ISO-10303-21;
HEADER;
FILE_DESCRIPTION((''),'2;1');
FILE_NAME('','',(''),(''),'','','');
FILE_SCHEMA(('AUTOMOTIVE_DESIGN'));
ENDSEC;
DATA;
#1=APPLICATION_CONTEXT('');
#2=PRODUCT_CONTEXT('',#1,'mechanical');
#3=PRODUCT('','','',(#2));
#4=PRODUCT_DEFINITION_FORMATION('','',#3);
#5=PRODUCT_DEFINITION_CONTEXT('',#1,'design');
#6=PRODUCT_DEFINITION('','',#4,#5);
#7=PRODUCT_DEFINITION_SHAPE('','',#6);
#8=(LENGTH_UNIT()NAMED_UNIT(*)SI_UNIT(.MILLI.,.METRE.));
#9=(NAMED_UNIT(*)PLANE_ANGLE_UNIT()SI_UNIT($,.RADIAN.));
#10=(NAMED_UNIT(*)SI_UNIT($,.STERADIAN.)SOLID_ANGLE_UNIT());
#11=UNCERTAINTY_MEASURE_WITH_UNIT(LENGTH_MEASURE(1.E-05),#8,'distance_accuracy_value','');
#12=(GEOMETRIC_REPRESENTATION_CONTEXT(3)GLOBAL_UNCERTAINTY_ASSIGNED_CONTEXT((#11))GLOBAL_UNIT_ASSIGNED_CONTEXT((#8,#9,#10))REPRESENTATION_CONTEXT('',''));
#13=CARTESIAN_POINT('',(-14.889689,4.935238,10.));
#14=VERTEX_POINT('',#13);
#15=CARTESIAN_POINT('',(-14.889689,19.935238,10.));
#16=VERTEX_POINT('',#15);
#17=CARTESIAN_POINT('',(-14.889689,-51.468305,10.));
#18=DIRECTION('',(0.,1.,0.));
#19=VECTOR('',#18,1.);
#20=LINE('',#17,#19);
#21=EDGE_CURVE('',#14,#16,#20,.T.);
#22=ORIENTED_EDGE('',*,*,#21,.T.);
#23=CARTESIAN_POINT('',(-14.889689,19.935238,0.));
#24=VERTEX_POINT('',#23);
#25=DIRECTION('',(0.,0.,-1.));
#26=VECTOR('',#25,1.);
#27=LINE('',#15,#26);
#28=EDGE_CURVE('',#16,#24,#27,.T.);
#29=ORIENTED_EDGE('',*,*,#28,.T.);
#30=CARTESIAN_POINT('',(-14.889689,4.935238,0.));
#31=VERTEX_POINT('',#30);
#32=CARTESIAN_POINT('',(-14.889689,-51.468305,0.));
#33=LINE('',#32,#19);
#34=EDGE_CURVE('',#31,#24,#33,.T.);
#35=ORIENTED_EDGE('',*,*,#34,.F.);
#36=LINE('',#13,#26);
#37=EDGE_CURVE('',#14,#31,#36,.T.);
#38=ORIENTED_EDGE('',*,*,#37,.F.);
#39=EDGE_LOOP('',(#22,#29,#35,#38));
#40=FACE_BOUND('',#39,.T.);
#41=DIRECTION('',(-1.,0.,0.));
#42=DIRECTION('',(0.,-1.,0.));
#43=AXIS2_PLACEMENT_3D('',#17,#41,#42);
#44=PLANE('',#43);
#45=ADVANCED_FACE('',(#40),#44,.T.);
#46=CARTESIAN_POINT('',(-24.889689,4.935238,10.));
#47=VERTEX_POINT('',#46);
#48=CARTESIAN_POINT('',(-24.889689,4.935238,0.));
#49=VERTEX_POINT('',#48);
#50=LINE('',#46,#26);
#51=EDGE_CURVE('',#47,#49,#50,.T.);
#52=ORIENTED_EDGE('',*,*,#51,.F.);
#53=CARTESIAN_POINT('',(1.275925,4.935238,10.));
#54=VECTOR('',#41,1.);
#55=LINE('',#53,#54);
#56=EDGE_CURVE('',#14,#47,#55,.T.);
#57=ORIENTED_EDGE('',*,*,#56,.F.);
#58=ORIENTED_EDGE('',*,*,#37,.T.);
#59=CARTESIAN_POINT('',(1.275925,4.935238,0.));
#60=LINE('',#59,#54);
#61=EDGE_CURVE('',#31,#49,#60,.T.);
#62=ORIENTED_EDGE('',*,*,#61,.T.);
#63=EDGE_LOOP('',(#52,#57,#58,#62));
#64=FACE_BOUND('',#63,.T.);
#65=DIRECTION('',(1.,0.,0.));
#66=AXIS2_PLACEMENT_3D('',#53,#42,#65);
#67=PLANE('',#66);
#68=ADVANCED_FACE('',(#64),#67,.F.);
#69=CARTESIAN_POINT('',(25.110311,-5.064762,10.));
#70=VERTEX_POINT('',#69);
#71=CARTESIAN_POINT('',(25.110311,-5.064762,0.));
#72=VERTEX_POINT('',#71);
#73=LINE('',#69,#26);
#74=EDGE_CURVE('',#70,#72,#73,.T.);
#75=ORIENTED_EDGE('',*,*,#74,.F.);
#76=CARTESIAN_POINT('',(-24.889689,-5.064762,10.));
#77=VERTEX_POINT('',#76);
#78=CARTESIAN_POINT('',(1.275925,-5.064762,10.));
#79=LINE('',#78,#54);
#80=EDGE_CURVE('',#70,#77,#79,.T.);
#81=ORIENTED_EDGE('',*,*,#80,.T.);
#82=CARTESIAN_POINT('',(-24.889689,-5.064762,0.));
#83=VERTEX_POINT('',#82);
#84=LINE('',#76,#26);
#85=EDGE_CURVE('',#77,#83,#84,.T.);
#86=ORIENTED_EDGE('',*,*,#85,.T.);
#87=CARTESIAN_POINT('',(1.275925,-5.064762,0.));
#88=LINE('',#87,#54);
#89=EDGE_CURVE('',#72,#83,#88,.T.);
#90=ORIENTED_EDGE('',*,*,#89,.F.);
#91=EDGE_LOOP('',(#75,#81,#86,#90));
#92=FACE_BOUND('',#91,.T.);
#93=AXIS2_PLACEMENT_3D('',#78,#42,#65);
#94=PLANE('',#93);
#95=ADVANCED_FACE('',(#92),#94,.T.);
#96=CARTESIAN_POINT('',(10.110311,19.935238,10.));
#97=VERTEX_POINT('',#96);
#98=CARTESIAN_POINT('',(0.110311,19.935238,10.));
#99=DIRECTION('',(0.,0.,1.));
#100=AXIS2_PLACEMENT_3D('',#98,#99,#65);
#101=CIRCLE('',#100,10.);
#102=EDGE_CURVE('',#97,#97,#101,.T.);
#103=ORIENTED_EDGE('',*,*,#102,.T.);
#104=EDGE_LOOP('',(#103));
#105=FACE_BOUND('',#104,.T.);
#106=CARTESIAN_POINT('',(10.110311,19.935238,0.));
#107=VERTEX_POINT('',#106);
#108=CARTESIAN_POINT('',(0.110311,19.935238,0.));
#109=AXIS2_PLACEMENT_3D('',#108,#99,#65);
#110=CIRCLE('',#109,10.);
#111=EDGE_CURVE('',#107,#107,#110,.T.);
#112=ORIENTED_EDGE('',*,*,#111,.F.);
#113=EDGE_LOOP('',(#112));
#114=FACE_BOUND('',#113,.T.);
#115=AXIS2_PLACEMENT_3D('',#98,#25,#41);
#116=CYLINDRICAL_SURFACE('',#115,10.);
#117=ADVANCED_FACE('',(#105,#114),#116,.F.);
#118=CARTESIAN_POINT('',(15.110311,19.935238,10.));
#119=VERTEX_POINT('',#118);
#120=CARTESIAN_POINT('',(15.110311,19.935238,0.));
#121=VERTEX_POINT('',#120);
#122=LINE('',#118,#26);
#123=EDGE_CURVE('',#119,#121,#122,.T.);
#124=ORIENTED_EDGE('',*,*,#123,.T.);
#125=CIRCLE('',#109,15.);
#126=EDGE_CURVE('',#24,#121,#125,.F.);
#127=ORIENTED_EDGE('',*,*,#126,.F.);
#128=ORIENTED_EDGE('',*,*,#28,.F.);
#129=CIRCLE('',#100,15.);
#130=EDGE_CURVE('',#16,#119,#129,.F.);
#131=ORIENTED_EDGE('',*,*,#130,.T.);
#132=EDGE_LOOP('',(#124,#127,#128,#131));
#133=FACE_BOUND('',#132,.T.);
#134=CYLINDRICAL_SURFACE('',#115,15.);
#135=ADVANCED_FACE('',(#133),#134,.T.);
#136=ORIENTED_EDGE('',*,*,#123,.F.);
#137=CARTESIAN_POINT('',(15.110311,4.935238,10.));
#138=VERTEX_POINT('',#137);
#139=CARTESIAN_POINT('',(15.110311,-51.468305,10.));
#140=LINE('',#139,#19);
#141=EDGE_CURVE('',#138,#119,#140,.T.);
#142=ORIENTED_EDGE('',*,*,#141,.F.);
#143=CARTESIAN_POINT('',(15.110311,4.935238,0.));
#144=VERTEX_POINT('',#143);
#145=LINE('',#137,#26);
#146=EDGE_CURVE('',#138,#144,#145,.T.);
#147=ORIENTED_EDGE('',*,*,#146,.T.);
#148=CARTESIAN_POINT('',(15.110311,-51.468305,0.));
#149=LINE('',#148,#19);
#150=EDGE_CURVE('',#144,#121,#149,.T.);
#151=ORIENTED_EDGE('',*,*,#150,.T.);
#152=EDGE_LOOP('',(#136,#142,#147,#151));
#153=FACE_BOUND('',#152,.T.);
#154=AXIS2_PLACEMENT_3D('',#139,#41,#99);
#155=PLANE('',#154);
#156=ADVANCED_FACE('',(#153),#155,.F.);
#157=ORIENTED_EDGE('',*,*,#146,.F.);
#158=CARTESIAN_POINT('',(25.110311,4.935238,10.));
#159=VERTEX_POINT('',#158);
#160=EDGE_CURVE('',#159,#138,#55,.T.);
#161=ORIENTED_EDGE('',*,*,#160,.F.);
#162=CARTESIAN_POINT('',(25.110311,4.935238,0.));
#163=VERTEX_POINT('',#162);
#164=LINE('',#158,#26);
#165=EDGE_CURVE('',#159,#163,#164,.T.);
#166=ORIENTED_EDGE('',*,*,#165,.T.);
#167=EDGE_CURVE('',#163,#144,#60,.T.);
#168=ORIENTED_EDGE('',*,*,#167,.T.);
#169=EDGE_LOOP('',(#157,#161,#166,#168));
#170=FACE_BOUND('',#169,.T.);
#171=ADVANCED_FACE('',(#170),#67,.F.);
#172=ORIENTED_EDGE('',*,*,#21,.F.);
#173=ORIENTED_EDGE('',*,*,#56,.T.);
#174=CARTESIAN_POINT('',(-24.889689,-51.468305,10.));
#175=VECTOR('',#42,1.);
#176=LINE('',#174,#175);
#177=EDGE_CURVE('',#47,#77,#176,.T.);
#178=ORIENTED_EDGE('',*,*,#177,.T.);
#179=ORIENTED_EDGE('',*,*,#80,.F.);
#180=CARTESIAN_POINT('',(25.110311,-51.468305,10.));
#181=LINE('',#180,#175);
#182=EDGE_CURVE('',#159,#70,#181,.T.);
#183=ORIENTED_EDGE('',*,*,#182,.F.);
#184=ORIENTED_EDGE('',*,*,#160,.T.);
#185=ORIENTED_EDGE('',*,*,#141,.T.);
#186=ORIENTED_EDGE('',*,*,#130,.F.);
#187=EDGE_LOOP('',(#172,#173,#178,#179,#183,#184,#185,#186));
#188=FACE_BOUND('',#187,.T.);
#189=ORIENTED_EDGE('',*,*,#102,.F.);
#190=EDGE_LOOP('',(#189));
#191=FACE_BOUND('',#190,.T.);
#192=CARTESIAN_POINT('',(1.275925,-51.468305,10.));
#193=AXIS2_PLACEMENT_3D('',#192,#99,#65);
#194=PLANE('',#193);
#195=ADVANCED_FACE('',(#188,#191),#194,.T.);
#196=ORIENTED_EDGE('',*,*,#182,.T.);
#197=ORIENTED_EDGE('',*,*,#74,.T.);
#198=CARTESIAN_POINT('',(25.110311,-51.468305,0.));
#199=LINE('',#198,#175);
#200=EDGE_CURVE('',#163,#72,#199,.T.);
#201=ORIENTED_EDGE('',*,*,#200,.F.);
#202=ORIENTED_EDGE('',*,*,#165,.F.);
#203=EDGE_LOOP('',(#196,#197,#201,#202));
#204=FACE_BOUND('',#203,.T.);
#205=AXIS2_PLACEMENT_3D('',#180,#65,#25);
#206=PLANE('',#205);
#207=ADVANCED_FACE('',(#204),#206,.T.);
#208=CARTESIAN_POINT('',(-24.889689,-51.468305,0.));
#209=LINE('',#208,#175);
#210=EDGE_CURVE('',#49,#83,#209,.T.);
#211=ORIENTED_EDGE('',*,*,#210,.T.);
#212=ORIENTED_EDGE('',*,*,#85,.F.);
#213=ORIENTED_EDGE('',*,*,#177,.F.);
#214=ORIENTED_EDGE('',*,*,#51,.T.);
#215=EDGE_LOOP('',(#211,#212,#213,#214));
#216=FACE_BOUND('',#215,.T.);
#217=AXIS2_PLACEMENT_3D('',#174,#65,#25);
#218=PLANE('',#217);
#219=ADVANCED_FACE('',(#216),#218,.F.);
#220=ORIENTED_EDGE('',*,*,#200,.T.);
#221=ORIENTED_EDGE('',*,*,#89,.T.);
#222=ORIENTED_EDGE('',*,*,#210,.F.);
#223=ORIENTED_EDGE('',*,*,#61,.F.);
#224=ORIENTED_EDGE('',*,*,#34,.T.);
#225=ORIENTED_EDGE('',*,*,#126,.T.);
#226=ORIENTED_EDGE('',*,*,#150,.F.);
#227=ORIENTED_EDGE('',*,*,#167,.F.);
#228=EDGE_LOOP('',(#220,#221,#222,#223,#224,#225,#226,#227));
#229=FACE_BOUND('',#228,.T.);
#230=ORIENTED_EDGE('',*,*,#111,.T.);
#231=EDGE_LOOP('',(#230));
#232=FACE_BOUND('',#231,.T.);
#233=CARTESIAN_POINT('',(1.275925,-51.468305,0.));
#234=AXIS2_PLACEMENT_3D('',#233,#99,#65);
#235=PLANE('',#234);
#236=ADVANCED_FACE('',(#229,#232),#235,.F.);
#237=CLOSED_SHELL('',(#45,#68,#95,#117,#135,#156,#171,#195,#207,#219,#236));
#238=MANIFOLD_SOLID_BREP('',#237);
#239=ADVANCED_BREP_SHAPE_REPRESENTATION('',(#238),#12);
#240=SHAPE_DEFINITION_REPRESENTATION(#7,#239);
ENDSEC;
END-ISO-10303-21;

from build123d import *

# Parameters (mm, degrees)
SKETCH1_R      = 10
SKETCH1_W      = 50
SKETCH1_H      = 10
EXTRUDE1_DEPTH = 10


with BuildPart() as part:
    # Sketch1 → Extrude1 (new body)
    # profile 1 of 2: a face of its own
    with BuildSketch(Plane.XY):
        with BuildLine():
            Line((-14.889688552, 19.935237795), (-14.889688552, 4.935237795))
            Line((-14.889688552, 4.935237795), (15.110311448, 4.935237795))
            Line((15.110311448, 4.935237795), (15.110311448, 19.935237795))
            ThreePointArc((15.110311448, 19.935237795), (0.110311448, 34.935237795), (-14.889688552, 19.935237795))
        make_face()
        with Locations((0.110311448, 19.935237795)):
            Circle(SKETCH1_R, mode=Mode.SUBTRACT)
    # profile 2 of 2: a face of its own
    with BuildSketch(Plane.XY):
        with Locations((0.110311448, -0.064762205)):
            Rectangle(SKETCH1_W, SKETCH1_H)
    extrude(amount=EXTRUDE1_DEPTH)


solid = part.part
